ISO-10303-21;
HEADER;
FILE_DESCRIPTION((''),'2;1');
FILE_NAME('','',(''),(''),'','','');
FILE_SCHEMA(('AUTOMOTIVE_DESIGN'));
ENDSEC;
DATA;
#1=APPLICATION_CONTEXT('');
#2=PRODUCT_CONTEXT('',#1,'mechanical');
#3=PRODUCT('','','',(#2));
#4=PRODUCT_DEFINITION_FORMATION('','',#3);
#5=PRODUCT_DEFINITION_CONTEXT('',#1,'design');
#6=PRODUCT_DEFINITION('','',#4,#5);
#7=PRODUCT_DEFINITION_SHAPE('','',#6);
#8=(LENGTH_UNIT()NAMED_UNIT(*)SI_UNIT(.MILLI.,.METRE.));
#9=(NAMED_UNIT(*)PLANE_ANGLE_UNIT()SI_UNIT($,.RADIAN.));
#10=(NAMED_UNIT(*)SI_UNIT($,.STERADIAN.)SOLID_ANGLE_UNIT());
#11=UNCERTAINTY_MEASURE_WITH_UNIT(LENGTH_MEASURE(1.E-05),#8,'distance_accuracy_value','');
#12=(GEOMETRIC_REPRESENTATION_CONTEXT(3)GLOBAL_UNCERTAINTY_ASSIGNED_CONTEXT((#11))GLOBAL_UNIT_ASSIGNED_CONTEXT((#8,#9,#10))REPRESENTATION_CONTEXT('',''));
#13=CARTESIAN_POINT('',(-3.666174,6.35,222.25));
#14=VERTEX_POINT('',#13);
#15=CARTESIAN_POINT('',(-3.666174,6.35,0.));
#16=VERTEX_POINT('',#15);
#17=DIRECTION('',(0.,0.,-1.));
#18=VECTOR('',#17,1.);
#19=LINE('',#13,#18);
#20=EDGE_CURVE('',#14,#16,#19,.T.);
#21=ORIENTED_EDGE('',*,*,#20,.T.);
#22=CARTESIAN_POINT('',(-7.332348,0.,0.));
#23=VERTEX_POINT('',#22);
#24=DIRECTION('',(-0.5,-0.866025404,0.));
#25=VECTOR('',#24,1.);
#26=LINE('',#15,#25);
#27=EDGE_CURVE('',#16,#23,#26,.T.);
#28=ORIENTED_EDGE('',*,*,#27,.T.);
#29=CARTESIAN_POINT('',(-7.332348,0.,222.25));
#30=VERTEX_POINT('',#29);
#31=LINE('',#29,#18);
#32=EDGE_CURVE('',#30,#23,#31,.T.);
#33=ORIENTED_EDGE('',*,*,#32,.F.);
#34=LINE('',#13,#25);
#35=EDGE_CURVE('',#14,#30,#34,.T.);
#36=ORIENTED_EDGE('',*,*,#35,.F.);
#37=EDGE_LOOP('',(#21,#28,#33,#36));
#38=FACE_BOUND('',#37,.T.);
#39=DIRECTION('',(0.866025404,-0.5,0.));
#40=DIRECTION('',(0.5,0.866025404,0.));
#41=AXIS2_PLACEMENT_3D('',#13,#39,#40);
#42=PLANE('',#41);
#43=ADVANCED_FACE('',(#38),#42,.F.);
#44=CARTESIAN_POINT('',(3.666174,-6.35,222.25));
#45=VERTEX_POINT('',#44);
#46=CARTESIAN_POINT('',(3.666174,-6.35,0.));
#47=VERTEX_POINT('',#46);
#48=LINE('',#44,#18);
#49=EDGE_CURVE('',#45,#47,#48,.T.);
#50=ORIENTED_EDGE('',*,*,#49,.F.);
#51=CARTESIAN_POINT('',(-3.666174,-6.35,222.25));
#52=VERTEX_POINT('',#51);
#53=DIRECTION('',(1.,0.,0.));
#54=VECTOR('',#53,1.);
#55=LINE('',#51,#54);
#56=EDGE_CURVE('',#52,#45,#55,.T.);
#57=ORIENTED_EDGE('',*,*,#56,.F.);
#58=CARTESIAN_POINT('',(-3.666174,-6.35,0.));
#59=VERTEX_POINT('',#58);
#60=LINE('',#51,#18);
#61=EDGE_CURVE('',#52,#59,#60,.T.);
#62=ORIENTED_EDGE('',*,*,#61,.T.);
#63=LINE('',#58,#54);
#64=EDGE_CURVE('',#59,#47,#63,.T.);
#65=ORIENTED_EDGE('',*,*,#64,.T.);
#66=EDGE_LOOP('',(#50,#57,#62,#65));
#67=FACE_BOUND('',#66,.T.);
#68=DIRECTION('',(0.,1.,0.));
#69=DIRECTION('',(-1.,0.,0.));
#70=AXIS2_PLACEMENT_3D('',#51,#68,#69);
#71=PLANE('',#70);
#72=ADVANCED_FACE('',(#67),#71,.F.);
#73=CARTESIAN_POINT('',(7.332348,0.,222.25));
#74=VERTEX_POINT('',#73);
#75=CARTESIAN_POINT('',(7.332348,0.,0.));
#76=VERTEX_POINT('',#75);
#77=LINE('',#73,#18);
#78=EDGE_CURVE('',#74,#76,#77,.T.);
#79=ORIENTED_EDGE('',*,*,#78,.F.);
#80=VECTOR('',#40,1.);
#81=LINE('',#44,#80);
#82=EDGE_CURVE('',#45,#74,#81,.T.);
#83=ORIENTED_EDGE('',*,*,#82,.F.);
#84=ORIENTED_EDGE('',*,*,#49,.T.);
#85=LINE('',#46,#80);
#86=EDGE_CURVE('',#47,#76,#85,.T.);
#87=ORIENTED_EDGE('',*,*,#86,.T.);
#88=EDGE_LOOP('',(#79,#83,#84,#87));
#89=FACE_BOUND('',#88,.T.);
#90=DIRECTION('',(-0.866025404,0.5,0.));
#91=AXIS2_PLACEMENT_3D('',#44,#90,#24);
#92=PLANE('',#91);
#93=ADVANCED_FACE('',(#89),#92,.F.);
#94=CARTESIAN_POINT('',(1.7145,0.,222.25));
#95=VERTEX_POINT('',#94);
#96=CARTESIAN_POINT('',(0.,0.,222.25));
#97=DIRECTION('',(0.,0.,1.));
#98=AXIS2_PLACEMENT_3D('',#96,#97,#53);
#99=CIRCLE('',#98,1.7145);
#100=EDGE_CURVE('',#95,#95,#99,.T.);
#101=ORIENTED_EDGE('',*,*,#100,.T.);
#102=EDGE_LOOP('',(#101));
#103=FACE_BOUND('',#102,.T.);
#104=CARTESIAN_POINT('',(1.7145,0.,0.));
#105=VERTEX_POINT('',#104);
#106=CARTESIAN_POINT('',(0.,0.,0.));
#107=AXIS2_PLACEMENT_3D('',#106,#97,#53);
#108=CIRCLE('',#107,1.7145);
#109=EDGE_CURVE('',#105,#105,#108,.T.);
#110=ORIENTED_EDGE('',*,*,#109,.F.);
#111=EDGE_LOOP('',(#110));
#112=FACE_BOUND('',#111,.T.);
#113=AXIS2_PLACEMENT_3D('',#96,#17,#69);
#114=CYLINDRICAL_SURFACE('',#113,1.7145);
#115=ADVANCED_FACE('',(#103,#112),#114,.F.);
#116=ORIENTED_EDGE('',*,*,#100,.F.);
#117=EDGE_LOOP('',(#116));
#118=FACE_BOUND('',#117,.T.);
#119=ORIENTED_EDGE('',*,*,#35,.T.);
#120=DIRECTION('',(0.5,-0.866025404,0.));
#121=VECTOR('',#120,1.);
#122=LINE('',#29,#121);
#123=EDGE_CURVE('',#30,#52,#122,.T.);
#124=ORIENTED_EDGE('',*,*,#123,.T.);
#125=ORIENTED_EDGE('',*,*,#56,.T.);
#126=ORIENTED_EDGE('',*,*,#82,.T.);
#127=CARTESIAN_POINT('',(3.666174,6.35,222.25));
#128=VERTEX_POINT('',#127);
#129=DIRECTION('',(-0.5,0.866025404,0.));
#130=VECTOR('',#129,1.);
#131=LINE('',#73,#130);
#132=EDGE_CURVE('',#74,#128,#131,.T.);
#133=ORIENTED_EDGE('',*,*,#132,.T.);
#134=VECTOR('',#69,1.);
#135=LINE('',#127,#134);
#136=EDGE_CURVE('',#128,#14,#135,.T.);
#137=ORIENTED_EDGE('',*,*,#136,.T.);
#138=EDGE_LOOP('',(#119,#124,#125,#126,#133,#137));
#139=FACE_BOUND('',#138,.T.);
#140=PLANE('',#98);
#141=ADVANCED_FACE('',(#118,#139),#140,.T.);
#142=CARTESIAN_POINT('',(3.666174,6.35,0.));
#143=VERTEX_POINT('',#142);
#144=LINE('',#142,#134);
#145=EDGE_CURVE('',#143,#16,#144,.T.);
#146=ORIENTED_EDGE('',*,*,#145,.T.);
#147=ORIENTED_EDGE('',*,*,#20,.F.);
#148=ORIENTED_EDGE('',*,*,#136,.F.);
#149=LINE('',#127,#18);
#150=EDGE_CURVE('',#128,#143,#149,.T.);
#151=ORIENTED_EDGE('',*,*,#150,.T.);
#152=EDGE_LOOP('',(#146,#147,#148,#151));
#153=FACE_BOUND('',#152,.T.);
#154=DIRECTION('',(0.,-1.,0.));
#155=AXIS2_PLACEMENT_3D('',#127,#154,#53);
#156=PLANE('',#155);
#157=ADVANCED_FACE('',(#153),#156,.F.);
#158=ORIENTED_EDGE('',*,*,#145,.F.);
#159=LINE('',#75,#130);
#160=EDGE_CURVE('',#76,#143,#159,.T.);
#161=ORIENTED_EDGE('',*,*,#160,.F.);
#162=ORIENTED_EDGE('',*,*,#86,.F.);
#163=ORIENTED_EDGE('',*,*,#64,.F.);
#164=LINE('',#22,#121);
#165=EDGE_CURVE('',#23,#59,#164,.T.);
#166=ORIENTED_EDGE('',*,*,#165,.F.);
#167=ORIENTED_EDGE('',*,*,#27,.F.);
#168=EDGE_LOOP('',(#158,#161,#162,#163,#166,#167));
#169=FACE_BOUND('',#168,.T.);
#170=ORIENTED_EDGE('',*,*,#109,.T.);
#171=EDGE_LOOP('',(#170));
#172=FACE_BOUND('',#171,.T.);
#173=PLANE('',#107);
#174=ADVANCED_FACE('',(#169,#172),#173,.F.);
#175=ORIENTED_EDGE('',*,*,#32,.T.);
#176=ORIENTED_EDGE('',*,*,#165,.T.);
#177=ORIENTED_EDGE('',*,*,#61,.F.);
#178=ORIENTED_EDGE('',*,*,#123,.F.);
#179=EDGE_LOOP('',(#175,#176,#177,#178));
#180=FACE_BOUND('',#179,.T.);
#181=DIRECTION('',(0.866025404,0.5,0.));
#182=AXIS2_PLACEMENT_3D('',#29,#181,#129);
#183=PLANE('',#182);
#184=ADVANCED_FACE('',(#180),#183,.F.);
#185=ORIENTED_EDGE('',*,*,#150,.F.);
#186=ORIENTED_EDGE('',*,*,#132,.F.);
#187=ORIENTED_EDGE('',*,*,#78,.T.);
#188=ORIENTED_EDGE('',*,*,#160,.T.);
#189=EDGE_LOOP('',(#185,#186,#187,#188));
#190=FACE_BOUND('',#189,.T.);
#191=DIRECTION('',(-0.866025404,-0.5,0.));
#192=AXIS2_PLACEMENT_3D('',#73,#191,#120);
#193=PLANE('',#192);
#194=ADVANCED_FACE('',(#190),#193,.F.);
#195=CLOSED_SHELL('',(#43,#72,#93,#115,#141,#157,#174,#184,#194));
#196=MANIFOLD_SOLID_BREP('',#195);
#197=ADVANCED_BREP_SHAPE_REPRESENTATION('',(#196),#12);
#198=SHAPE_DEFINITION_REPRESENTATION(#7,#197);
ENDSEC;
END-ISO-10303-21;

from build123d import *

# Parameters (mm, degrees)
SKETCH1_R           = 1.7145
BOSS_EXTRUDE1_DEPTH = 222.25


with BuildPart() as part:
    # Sketch1 → Boss-Extrude1 (new body)
    with BuildSketch(Plane.XY):
        Polygon((7.332348419, 0), (3.666174209, 6.35), (-3.666174209, 6.35), (-7.332348419, 0), (-3.666174209, -6.35), (3.666174209, -6.35), align=None)
        Circle(SKETCH1_R, mode=Mode.SUBTRACT)
    extrude(amount=BOSS_EXTRUDE1_DEPTH)


solid = part.part
